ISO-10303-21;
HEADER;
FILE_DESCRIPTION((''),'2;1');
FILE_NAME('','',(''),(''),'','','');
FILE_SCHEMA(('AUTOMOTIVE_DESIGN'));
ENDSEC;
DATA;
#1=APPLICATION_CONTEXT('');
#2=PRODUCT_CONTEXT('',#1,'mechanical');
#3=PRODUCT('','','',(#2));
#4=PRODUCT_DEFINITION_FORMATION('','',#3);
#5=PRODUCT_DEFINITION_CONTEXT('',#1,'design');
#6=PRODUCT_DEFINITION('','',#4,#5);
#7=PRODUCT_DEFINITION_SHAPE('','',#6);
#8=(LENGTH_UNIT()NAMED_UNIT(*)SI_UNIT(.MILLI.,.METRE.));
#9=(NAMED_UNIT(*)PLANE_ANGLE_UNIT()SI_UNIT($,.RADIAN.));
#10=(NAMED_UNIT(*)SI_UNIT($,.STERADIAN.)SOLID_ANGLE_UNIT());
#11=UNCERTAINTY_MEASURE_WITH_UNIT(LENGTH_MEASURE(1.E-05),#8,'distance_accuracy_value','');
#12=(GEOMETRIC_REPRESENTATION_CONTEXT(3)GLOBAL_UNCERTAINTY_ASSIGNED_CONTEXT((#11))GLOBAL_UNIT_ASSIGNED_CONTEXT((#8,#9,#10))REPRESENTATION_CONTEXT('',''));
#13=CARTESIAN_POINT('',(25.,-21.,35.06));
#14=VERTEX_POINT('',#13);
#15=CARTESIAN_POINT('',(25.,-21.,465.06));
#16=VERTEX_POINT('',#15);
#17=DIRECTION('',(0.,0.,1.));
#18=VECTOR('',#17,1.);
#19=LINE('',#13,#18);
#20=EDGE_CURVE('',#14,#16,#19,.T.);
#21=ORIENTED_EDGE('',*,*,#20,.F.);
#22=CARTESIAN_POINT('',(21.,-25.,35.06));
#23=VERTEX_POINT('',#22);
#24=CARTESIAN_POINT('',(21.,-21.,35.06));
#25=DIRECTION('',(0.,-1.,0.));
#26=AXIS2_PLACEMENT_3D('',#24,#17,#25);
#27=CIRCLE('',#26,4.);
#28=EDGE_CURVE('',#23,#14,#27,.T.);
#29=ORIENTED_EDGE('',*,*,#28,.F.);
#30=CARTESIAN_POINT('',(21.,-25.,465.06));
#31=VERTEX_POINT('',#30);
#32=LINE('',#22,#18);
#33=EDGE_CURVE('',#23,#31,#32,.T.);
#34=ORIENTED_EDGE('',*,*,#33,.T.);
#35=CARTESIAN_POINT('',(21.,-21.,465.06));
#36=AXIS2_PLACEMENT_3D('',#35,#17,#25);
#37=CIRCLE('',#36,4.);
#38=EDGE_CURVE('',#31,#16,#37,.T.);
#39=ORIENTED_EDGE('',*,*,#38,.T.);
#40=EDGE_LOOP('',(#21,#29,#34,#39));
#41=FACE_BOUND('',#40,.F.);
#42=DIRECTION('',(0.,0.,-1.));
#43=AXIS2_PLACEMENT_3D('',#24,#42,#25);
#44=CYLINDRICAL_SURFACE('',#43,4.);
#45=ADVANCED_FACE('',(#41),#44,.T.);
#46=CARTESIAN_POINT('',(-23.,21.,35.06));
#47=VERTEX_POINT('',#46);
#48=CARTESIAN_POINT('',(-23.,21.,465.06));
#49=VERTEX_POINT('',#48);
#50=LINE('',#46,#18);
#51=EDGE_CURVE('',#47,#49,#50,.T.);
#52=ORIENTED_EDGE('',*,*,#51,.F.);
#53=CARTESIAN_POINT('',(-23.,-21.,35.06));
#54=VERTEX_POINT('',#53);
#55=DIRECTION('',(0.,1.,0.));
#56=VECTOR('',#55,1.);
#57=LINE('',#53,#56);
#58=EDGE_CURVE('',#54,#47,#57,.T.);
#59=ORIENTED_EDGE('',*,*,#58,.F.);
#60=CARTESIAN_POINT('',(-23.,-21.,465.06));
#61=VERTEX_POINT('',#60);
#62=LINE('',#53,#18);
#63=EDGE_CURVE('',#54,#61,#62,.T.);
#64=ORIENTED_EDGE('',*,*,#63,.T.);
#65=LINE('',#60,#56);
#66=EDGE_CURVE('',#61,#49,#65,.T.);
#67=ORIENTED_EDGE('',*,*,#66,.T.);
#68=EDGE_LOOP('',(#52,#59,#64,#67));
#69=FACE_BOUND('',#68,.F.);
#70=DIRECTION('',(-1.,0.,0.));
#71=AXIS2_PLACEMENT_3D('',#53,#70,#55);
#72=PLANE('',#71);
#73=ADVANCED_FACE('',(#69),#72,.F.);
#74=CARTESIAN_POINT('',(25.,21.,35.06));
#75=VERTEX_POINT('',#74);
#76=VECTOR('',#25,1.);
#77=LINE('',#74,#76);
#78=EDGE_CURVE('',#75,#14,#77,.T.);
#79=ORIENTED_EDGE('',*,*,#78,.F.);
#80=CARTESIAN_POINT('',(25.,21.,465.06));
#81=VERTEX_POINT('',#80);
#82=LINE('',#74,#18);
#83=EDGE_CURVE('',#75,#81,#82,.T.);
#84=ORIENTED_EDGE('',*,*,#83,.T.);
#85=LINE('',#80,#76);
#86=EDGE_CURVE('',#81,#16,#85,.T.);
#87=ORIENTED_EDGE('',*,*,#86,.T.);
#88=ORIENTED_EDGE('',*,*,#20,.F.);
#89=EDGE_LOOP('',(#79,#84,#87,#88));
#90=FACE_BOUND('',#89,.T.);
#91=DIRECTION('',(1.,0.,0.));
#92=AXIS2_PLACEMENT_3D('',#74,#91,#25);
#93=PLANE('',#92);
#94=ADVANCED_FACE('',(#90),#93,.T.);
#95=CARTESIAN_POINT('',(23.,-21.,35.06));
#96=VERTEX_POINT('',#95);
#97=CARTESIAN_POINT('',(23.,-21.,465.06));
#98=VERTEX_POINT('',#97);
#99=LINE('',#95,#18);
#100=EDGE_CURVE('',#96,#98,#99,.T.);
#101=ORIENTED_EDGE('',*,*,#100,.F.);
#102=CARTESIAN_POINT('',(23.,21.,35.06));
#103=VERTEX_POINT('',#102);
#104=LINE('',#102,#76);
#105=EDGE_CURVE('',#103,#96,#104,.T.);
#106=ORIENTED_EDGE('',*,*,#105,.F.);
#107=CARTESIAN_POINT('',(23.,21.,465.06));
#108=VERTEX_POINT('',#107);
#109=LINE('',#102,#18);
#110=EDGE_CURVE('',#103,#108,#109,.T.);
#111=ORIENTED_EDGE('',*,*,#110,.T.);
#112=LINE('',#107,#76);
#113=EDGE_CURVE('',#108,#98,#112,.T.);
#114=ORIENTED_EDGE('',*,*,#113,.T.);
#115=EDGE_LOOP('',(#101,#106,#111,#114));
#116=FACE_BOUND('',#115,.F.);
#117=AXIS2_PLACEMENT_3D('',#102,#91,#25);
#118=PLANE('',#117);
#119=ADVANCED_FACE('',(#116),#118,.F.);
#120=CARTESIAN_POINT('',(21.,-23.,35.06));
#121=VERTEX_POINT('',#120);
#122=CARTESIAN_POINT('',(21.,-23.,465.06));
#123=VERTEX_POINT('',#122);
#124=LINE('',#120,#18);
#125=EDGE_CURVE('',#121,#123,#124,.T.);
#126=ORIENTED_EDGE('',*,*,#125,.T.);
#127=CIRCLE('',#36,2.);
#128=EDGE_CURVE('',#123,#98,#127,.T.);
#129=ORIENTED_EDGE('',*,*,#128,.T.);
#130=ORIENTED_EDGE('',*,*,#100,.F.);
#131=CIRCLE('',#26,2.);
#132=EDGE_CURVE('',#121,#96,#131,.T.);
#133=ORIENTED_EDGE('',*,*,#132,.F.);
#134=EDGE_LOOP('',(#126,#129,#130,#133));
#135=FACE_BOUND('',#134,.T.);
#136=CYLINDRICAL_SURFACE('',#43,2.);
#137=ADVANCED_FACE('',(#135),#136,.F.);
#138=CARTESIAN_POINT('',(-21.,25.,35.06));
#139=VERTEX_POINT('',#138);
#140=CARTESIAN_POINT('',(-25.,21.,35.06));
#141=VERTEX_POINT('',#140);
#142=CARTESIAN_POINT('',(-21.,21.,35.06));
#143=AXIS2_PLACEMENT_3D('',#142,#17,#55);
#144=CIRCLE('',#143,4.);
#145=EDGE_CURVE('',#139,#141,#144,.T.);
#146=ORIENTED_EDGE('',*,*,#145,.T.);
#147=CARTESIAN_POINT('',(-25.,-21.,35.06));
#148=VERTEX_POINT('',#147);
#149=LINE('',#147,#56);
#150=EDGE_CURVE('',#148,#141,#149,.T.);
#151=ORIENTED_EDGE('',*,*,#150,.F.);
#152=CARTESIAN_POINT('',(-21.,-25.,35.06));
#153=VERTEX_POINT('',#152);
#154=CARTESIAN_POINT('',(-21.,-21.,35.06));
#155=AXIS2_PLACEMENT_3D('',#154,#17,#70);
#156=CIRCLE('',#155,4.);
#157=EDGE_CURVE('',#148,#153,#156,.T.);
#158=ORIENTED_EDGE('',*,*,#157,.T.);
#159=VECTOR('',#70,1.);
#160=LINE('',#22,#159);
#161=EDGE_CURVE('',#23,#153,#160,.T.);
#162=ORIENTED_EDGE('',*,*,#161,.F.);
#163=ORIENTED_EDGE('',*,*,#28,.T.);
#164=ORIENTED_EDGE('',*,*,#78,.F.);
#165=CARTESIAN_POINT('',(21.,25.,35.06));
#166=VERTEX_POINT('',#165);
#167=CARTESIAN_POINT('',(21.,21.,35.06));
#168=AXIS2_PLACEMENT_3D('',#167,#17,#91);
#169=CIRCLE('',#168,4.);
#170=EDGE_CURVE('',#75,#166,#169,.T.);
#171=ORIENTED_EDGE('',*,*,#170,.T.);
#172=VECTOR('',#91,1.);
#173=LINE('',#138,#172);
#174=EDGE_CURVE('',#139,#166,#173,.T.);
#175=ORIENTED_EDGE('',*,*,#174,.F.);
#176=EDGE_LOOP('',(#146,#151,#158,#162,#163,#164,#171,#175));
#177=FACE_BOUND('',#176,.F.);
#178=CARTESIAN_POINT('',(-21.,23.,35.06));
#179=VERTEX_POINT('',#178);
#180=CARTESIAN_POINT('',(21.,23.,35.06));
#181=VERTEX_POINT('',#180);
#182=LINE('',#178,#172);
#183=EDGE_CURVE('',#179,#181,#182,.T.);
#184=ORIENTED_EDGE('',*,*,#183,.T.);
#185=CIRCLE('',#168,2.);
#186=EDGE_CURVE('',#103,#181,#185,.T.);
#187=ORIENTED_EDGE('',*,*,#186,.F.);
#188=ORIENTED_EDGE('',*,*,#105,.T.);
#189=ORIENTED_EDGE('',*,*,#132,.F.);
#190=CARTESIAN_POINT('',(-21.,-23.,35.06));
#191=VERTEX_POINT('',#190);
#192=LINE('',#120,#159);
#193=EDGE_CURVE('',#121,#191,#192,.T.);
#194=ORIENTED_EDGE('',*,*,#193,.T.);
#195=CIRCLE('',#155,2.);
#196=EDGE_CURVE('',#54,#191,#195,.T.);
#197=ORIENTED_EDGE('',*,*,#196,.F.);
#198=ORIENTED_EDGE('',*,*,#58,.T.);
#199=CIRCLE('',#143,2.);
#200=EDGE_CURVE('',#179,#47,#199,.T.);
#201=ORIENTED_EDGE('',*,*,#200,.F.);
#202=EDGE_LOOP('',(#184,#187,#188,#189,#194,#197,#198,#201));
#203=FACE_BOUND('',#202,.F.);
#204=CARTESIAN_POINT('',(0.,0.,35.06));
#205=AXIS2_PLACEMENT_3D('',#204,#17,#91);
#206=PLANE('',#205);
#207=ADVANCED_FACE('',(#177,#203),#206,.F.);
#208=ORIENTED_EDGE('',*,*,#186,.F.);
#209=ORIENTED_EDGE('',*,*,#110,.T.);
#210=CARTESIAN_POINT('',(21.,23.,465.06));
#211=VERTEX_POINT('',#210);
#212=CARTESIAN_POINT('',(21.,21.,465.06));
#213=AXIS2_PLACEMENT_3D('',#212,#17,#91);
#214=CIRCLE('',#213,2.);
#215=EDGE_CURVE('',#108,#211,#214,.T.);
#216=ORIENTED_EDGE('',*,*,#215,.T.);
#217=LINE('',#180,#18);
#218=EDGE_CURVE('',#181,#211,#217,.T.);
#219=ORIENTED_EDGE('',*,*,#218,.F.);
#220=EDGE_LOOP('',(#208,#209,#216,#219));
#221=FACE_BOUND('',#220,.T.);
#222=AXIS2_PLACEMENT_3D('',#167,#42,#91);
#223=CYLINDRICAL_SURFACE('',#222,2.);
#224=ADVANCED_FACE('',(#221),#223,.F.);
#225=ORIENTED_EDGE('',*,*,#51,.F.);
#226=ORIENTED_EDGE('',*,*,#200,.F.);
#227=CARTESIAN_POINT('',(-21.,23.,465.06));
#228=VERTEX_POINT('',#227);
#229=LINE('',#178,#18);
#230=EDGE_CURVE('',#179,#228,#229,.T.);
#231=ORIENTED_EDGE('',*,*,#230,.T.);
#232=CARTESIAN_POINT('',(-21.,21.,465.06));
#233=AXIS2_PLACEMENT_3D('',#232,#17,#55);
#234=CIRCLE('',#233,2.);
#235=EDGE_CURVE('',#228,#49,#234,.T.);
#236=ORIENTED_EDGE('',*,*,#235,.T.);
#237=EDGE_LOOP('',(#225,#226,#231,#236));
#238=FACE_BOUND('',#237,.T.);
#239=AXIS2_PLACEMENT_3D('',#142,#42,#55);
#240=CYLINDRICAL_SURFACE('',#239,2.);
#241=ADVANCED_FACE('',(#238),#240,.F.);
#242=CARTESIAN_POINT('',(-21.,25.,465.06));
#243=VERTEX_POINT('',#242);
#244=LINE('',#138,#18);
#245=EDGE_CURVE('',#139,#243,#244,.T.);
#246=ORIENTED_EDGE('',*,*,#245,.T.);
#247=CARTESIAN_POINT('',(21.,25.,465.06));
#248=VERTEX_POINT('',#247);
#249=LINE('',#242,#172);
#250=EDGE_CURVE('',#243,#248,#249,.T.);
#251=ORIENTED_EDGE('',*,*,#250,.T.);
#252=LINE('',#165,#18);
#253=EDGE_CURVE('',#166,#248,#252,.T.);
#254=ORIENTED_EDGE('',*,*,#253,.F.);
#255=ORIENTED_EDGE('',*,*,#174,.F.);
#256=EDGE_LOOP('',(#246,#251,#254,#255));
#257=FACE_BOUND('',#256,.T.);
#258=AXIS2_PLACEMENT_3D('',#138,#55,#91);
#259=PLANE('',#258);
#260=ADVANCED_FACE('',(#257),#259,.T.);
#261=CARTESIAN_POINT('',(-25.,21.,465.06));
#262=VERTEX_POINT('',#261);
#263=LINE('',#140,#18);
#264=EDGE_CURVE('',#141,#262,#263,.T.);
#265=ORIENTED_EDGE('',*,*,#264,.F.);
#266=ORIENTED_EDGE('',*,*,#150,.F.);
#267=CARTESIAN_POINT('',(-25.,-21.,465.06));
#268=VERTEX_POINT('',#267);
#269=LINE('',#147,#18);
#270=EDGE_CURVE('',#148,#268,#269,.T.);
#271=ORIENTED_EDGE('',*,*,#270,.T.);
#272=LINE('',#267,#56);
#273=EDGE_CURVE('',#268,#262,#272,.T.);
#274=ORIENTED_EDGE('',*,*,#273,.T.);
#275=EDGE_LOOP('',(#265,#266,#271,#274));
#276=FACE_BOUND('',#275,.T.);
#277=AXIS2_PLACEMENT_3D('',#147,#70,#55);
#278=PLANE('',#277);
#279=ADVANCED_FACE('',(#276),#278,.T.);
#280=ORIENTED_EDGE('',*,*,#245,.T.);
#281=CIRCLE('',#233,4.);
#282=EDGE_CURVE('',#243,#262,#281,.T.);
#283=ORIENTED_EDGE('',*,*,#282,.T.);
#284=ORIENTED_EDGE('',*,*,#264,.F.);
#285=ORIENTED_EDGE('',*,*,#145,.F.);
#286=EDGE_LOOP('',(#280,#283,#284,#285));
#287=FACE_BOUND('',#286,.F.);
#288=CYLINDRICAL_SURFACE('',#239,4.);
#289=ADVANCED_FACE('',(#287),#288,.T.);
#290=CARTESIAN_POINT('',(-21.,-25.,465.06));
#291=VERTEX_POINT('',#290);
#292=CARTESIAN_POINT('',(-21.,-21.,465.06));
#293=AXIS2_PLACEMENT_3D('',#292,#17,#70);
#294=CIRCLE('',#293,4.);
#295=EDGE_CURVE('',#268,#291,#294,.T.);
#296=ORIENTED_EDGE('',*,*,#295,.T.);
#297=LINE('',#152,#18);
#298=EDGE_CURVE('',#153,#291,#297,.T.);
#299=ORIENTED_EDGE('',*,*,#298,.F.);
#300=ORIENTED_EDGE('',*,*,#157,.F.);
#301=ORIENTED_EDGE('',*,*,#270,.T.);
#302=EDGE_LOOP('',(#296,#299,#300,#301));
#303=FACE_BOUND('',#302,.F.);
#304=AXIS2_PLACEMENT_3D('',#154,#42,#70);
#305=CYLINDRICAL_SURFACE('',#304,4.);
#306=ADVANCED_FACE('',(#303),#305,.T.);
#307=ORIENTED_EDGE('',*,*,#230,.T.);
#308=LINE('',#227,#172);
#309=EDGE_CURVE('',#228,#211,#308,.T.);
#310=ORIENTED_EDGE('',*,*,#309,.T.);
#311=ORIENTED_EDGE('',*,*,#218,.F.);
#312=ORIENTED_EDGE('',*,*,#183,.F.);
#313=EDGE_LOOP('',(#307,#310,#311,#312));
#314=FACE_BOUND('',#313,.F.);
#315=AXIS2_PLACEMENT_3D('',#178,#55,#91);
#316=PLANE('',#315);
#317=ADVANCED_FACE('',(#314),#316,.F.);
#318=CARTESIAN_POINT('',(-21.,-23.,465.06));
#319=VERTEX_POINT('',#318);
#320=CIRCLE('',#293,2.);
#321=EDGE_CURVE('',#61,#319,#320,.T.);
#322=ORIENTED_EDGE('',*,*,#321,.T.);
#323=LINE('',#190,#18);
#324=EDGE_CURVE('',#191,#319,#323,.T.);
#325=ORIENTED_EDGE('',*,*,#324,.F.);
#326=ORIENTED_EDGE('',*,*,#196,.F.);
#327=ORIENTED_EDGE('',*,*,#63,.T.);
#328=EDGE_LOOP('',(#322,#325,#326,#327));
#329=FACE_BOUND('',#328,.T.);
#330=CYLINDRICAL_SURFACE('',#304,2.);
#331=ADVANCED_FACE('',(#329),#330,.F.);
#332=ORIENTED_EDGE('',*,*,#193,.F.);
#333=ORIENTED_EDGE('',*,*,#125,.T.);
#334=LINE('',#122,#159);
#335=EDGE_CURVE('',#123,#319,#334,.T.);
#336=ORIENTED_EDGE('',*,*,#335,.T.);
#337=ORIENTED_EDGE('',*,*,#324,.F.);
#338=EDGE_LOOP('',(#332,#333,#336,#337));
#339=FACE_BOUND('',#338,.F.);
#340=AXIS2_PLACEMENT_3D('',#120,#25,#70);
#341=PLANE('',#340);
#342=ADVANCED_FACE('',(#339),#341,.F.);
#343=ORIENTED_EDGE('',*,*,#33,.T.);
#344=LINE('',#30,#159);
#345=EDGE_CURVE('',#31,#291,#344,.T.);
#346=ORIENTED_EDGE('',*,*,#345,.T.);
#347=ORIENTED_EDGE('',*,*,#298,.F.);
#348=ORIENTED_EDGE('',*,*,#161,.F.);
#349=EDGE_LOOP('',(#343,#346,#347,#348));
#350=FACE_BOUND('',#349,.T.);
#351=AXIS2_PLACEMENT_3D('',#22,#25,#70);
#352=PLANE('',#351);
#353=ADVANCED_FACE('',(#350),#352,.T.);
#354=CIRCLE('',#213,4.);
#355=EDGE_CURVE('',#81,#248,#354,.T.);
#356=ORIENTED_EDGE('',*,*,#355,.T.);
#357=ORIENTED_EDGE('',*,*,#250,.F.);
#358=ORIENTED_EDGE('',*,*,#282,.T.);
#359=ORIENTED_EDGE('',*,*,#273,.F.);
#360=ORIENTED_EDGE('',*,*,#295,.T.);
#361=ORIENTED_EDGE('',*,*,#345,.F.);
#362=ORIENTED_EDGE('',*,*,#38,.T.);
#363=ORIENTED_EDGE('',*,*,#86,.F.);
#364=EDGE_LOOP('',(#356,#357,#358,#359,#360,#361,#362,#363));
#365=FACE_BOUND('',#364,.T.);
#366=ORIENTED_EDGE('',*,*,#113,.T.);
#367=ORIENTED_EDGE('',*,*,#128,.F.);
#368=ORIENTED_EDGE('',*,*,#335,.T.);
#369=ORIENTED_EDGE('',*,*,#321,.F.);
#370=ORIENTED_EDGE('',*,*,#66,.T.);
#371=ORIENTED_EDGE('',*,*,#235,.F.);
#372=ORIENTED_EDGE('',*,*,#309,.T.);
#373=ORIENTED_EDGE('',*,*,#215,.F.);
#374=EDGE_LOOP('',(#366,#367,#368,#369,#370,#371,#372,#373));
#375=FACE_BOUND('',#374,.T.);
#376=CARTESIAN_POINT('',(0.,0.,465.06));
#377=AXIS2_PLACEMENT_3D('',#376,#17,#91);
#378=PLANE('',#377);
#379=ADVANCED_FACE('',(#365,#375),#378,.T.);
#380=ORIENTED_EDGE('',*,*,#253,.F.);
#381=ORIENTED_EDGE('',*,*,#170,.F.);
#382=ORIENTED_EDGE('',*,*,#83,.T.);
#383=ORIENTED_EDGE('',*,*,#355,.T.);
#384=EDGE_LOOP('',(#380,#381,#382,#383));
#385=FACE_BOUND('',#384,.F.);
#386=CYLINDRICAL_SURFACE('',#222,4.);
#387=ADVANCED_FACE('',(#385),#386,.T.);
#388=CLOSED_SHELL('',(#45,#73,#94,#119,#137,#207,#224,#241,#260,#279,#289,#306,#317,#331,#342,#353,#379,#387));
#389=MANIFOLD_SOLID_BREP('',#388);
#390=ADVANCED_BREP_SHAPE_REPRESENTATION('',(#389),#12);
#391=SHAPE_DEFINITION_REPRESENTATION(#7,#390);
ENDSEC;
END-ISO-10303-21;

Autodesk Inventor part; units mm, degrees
ref_plane "Start Plane" through (0, 0, 35.06) normal (0, 0, 1) x (1, 0, 0)
ref_plane "End Plane" through (0, 0, 465.06) normal (0, 0, 1) x (1, 0, 0)
sketch "Sketch" plane through (0, 0, 0) normal (0, 0, 1) x (1, 0, 0)
  line L0 (-25, -21) -> (-25, 21)
  line L1 (-21, 25) -> (21, 25)
  line L2 (25, 21) -> (25, -21)
  line L3 (21, -25) -> (-21, -25)
  arc A0 (-25, -21) -> (-21, -25) centre (-21, -21) ccw
  arc A1 (25, 21) -> (21, 25) centre (21, 21) ccw
  arc A2 (-21, 25) -> (-25, 21) centre (-21, 21) ccw
  arc A3 (21, -25) -> (25, -21) centre (21, -21) ccw
  arc A4 (-21, 23) -> (-23, 21) centre (-21, 21) ccw
  line L4 (-21, 23) -> (21, 23)
  arc A5 (23, 21) -> (21, 23) centre (21, 21) ccw
  line L5 (23, 21) -> (23, -21)
  arc A6 (21, -23) -> (23, -21) centre (21, -21) ccw
  line L6 (21, -23) -> (-21, -23)
  arc A7 (-23, -21) -> (-21, -23) centre (-21, -21) ccw
  line L7 (-23, -21) -> (-23, 21)
  line L8 (0, 36.1598) -> (0, -36.1598) construction
  line L9 (-36.1598, 0) -> (36.1598, 0) construction
  dimension "d7" = 4
  dimension "d9" = 50
  dimension "d11" = 50
  dimension "d12" = 2
  dimension "d15" = 25
  dimension "d16" = 25
extrude "Body" add sketch "Sketch" along normal up to surface (430 mm away) from surface at 35.06
sketch "Sketch3" plane through (0, 0, 0) normal (0, 0, 1) x (1, 0, 0)
  line L0 (0, 0) -> (10, 0)
ref_plane "Work Plane3" through (0, 0, 0) normal (0, -1, 0) x (1, 0, 0)
sketch "Sketch4" plane through (0, 0, 0) normal (0, -1, 0) x (1, 0, 0)
  line L0 (-2, 35.06) -> (12, 35.06)
  line L1 (-2, 465.06) -> (12, 465.06)
  dimension "d18" = 430
ref_plane "Work Plane4" through (-635, 29, 465.06) normal (0, 0, 1) x (1, 0, 0)
split "Split1" plane through (-635, 29, 465.06) removes the side toward (0, 0, 1)
ref_plane "Work Plane5" through (1675, 29, 35.06) normal (0, 0, -1) x (-1, 0, 0)
split "Split2" plane through (1675, 29, 35.06) removes the side toward (0, 0, -1)
equation "\"d7\" = G_IR"
equation "\"d9\" = G_W"
equation "\"d11\" = G_H"
equation "\"d12\" = G_T"
equation "\"d15\" = 0.5 * d9"
equation "\"d16\" = 0.5 * d11"
equation "\"d3\" = G_L"
equation "\"G_W\" = 50"
equation "\"G_H\" = 50"
equation "\"G_T\" = 2"
equation "\"G_IR\" = 4"
equation "\"G_L\" = d18"
equation "\"G_OFFSET_START\" = -35.05997"
equation "\"G_OFFSET_END\" = -34.94003"
equation "\"d13\" = -G_OFFSET_START"
equation "\"d14\" = G_OFFSET_END + B_L"
equation "\"B_L\" = 500"
properties part number "ISO 10799-2 - 50x50x2 - 430" material "Steel, Galvanized"
